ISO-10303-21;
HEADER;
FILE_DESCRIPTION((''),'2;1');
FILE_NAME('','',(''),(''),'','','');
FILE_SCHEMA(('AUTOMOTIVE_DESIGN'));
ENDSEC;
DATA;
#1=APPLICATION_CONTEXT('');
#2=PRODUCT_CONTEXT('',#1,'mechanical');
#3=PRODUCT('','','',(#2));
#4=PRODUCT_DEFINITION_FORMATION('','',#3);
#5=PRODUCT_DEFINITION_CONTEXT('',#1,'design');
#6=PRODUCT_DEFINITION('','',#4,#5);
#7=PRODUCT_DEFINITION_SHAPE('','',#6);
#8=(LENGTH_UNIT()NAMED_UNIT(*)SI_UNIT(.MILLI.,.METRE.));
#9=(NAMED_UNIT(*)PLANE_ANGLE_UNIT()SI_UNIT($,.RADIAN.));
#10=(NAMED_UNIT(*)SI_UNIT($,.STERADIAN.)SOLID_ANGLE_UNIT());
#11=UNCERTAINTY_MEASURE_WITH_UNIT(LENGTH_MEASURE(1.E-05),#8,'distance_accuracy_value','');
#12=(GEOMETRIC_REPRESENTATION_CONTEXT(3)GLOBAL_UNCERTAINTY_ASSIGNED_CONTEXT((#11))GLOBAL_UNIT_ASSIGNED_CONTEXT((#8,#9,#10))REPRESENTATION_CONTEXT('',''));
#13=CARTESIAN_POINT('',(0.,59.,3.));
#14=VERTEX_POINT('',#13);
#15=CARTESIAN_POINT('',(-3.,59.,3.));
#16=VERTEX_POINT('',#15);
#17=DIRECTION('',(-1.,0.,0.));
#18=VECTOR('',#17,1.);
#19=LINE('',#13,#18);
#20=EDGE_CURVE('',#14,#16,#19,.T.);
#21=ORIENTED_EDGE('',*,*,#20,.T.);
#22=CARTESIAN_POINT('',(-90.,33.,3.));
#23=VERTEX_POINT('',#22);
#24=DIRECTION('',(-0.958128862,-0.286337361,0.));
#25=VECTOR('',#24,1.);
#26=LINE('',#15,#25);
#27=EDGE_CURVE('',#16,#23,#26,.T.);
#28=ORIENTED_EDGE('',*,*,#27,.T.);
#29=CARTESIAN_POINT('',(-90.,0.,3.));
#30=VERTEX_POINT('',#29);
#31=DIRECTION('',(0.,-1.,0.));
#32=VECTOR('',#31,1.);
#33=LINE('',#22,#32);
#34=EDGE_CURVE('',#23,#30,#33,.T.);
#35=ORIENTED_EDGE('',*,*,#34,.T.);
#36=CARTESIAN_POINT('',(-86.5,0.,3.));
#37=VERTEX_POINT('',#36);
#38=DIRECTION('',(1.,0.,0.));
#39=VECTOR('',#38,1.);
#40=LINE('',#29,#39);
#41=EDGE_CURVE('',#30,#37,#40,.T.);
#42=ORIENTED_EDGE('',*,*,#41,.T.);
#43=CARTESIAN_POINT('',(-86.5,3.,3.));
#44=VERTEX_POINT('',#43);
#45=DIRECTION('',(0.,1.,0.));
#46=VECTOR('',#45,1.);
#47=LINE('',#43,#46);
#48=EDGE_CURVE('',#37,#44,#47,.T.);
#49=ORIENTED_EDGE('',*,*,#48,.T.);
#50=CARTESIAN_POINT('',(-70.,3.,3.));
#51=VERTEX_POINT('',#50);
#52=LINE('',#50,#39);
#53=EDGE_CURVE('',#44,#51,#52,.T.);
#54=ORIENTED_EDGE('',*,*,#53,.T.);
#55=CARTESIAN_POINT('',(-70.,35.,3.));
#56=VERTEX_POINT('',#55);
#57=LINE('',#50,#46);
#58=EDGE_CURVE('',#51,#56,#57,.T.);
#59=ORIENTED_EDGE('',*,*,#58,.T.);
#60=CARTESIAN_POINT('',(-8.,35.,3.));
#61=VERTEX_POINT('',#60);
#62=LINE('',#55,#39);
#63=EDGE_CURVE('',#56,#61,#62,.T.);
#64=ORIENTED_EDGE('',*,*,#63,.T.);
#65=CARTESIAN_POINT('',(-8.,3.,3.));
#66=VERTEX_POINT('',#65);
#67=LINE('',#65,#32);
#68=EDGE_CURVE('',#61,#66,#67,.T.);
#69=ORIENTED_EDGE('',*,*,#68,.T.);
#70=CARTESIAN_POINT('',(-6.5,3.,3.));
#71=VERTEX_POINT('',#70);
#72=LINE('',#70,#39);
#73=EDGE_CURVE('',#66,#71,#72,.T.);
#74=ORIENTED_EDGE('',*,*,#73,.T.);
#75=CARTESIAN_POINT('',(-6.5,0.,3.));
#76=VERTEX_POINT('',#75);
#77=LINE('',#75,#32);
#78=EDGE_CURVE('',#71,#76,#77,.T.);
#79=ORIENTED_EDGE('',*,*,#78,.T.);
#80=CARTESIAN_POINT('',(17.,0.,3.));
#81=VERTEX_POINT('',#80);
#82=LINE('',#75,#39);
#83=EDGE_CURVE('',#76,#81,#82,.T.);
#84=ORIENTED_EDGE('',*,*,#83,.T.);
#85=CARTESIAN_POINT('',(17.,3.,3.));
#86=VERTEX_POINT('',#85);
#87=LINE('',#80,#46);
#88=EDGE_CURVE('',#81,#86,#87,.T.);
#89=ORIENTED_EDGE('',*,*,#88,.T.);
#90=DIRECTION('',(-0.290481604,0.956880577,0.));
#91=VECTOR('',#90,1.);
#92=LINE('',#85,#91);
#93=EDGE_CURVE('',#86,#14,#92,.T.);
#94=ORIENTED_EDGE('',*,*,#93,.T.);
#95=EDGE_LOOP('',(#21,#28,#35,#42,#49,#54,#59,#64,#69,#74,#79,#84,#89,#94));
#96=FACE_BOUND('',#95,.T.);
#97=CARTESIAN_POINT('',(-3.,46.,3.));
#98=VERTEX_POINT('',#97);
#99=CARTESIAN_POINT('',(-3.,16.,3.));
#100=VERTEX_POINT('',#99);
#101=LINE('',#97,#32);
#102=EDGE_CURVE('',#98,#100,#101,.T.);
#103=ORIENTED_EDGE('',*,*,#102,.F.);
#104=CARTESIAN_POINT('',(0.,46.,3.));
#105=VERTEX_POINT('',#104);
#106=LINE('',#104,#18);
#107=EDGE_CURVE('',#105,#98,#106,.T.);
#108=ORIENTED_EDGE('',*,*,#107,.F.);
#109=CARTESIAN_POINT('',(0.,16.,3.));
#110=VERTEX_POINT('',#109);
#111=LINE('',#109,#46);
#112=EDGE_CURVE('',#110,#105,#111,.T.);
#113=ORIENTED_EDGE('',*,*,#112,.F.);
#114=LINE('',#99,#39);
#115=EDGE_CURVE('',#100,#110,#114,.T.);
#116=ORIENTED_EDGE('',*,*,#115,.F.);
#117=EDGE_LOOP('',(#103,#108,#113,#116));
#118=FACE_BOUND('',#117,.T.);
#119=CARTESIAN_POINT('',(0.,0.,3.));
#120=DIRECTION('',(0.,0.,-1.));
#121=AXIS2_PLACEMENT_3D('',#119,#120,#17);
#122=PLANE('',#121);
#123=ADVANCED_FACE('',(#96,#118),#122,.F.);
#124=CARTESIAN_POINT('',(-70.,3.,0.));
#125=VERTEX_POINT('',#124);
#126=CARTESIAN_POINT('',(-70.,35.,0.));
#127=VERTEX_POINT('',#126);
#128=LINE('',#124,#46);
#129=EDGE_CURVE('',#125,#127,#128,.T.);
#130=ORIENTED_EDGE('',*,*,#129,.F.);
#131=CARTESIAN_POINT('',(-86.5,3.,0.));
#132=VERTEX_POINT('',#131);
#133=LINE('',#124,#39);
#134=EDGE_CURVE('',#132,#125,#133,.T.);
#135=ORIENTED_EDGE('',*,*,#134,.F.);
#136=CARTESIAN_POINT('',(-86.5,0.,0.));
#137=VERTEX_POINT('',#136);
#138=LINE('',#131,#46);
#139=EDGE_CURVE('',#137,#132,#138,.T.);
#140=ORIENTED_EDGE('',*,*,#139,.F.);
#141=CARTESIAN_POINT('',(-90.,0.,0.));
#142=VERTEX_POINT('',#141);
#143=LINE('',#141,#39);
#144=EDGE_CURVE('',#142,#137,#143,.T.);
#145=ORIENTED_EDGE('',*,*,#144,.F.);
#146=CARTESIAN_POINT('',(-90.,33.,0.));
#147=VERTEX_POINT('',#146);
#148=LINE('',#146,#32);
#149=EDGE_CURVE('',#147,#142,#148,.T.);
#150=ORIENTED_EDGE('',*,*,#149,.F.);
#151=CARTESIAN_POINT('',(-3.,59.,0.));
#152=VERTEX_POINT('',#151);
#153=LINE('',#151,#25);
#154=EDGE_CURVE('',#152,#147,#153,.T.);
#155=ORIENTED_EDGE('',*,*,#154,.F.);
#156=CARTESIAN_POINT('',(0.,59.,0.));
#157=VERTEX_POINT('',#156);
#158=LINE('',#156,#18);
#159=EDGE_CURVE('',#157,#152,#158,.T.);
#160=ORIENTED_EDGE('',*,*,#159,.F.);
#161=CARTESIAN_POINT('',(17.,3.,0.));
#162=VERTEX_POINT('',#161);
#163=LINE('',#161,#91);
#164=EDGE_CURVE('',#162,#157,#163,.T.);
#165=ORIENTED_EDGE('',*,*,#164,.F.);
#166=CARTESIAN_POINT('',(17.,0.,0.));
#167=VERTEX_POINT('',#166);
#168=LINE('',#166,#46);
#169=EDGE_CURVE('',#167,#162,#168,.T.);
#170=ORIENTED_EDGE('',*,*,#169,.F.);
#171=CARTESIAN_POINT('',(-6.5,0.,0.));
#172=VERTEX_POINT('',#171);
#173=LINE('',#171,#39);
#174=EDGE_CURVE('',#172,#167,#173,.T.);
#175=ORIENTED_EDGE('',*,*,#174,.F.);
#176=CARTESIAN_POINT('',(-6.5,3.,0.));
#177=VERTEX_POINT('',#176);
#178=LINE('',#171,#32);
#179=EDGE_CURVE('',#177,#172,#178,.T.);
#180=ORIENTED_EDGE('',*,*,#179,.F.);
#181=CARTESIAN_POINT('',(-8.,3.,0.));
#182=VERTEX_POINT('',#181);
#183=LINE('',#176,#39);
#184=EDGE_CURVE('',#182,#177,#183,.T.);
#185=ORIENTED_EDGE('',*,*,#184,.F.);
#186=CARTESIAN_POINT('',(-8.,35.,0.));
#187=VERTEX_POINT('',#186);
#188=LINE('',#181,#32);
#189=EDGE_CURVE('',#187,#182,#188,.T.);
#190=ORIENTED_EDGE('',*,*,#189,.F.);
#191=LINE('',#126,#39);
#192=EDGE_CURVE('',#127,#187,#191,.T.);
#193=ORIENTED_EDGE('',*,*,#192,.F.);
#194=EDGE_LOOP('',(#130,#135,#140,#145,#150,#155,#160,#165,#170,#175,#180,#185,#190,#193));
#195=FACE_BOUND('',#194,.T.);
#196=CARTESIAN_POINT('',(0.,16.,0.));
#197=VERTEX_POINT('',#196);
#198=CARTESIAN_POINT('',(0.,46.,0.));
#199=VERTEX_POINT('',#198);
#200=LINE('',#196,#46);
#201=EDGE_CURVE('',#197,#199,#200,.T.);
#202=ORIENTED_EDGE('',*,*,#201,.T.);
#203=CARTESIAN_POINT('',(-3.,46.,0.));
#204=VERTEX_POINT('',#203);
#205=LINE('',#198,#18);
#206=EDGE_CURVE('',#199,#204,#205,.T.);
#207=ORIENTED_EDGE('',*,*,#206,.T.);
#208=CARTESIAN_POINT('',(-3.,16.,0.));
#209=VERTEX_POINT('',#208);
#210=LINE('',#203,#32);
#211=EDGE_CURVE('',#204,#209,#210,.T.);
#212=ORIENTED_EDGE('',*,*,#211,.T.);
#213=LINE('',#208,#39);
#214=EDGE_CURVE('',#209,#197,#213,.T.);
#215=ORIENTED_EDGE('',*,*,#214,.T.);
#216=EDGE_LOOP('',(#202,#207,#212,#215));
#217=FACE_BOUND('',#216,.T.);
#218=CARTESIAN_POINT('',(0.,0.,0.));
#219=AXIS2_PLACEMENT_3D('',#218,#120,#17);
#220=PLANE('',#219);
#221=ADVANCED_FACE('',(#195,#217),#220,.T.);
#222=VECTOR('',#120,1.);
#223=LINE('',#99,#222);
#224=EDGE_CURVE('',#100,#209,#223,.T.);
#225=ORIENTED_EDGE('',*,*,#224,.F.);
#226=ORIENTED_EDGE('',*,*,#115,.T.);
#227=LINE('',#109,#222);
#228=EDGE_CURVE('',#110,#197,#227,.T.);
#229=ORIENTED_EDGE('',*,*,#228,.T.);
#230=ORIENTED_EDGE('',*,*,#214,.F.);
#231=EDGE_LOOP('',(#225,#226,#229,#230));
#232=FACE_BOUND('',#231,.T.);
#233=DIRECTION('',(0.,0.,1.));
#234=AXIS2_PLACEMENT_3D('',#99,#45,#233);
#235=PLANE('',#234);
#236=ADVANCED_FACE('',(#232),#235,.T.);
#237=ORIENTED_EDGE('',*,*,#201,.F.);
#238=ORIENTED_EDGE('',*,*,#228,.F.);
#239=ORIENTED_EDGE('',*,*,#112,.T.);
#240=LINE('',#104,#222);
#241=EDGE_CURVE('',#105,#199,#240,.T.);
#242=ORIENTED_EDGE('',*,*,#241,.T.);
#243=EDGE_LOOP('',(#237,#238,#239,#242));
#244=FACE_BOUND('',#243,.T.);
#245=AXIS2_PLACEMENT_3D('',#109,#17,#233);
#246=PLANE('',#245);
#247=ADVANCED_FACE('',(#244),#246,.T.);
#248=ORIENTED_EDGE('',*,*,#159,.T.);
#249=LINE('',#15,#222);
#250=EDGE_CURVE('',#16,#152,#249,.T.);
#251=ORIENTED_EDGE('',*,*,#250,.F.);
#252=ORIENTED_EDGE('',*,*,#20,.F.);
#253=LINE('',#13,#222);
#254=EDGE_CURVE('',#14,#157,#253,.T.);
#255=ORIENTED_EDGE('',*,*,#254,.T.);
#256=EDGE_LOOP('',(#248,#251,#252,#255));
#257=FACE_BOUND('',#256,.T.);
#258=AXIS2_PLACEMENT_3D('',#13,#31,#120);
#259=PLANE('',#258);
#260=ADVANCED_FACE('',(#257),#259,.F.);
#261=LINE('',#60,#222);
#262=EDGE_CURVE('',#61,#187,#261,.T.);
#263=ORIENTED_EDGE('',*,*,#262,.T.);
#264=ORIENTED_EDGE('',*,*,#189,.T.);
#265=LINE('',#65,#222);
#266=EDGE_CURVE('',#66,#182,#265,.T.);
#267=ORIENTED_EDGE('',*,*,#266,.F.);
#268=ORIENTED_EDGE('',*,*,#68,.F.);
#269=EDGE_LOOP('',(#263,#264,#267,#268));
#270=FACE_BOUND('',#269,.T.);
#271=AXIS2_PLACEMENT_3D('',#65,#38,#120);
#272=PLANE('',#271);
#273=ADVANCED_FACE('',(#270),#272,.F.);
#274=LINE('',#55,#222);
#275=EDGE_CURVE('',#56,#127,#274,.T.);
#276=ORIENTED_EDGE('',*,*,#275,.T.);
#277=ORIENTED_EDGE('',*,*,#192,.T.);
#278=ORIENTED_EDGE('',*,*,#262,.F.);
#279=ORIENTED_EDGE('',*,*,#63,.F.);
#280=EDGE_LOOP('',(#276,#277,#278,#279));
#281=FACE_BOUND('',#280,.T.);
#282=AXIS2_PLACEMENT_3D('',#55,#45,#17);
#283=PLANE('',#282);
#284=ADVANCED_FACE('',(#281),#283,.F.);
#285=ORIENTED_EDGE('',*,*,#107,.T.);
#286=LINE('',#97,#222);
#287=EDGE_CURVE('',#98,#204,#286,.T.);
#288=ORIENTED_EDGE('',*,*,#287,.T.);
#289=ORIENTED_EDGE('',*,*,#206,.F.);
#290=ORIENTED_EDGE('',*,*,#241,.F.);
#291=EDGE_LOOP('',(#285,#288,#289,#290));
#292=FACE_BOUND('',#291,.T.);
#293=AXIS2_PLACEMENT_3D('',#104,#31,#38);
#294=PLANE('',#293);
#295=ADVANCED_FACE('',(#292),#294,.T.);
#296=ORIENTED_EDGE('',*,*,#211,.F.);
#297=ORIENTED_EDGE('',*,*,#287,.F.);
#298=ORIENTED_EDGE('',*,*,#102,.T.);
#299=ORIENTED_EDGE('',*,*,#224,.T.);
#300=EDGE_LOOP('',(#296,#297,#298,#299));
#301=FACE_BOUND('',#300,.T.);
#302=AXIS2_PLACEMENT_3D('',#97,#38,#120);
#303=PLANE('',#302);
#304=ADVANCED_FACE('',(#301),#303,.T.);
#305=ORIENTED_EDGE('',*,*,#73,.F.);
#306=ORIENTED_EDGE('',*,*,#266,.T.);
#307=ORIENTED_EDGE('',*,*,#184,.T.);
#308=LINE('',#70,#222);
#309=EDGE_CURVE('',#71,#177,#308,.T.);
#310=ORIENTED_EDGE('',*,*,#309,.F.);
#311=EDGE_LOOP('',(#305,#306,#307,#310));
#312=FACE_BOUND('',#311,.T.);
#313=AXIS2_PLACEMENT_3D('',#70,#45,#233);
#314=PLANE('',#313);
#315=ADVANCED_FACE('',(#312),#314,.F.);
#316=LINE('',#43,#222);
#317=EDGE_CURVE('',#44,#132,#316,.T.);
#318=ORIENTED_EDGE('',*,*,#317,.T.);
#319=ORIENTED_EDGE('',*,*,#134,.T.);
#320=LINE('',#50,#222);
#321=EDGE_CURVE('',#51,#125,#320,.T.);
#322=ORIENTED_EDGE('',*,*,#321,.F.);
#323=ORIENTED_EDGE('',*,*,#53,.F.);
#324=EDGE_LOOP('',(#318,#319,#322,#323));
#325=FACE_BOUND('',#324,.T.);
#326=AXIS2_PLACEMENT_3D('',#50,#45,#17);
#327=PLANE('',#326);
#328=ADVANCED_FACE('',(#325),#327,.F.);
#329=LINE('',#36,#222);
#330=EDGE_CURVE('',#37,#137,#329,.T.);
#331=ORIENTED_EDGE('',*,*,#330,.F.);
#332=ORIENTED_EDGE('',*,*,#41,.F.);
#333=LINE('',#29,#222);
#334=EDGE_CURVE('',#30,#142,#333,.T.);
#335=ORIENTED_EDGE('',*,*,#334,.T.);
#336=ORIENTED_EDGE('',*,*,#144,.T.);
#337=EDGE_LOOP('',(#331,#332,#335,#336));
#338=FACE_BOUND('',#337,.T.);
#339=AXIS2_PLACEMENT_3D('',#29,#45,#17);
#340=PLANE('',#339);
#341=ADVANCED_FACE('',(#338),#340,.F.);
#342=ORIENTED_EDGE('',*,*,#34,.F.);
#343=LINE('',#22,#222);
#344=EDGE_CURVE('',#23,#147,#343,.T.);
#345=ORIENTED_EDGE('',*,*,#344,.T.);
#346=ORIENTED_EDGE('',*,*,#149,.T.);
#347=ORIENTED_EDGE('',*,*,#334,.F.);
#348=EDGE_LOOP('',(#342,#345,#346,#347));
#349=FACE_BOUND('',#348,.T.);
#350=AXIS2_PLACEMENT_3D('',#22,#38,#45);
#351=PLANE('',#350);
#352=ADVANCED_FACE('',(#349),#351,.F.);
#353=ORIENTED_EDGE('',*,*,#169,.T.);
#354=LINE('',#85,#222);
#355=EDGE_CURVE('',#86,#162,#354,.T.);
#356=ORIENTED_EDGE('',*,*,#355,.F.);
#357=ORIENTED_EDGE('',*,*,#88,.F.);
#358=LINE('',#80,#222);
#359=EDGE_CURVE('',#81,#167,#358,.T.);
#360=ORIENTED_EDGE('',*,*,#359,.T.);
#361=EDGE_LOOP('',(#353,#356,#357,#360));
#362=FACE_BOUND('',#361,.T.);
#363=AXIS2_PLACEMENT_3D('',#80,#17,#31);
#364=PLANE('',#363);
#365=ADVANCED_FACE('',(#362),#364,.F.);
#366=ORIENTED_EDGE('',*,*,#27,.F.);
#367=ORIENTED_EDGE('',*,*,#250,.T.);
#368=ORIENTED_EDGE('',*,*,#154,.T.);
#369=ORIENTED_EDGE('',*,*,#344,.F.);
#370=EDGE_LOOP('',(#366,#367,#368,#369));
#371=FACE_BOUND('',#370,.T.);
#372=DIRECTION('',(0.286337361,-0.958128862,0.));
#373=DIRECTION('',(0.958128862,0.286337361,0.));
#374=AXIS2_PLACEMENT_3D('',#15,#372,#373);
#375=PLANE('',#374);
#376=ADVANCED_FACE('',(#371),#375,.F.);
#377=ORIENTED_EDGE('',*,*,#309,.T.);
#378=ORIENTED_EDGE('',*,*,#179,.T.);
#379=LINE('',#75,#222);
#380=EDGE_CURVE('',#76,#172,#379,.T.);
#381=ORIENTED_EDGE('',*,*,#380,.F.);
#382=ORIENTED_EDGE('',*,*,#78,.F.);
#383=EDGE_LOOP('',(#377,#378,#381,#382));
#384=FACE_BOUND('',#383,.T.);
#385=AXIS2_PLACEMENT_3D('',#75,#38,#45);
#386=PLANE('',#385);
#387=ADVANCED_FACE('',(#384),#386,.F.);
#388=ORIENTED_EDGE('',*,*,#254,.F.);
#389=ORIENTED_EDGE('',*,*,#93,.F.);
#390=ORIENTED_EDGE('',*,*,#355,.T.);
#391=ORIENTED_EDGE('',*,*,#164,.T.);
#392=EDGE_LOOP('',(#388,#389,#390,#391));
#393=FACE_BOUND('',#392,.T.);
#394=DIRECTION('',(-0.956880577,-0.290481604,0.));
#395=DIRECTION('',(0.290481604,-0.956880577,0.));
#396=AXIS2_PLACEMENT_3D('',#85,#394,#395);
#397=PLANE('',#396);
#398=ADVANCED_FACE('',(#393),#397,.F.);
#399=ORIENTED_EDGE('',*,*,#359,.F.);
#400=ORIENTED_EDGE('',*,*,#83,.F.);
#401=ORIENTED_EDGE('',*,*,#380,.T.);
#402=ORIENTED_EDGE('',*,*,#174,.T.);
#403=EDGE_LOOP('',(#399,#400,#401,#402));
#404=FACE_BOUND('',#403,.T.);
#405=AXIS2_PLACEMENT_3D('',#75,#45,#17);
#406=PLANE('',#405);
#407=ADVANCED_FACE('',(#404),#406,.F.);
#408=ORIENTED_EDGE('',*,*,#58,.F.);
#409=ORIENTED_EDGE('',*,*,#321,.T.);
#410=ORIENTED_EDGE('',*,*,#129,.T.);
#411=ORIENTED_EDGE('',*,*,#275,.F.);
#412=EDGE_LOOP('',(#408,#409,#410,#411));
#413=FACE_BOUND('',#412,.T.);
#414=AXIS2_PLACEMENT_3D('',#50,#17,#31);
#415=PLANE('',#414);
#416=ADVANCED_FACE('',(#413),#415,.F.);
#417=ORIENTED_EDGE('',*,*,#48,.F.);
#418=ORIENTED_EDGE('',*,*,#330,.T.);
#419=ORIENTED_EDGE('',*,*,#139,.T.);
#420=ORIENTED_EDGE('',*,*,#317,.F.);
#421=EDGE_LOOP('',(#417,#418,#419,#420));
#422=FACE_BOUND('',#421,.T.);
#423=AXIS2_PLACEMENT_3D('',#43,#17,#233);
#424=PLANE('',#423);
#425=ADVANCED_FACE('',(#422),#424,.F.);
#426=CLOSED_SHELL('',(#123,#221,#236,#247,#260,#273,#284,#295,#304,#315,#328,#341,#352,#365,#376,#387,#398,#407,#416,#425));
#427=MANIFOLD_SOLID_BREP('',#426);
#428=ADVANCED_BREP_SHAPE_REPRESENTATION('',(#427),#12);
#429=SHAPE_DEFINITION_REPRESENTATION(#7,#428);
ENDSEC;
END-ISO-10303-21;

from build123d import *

# Parameters (mm, degrees)
SKETCH1_W           = 3
SKETCH1_H           = 30
BOSS_EXTRUDE1_DEPTH = 3


with BuildPart() as part:
    # Sketch1 → Boss-Extrude1 (new body)
    with BuildSketch(Plane.XY):
        Polygon((-90, 0), (-86.5, 0), (-86.5, 3), (-70, 3), (-70, 35), (-8, 35), (-8, 3), (-6.5, 3), (-6.5, 0), (17, 0), (17, 3), (0, 59), (-3, 59), (-90, 33), align=None)
        with Locations((-1.5, 31)):
            Rectangle(SKETCH1_W, SKETCH1_H, mode=Mode.SUBTRACT)
    extrude(amount=BOSS_EXTRUDE1_DEPTH)


solid = part.part
